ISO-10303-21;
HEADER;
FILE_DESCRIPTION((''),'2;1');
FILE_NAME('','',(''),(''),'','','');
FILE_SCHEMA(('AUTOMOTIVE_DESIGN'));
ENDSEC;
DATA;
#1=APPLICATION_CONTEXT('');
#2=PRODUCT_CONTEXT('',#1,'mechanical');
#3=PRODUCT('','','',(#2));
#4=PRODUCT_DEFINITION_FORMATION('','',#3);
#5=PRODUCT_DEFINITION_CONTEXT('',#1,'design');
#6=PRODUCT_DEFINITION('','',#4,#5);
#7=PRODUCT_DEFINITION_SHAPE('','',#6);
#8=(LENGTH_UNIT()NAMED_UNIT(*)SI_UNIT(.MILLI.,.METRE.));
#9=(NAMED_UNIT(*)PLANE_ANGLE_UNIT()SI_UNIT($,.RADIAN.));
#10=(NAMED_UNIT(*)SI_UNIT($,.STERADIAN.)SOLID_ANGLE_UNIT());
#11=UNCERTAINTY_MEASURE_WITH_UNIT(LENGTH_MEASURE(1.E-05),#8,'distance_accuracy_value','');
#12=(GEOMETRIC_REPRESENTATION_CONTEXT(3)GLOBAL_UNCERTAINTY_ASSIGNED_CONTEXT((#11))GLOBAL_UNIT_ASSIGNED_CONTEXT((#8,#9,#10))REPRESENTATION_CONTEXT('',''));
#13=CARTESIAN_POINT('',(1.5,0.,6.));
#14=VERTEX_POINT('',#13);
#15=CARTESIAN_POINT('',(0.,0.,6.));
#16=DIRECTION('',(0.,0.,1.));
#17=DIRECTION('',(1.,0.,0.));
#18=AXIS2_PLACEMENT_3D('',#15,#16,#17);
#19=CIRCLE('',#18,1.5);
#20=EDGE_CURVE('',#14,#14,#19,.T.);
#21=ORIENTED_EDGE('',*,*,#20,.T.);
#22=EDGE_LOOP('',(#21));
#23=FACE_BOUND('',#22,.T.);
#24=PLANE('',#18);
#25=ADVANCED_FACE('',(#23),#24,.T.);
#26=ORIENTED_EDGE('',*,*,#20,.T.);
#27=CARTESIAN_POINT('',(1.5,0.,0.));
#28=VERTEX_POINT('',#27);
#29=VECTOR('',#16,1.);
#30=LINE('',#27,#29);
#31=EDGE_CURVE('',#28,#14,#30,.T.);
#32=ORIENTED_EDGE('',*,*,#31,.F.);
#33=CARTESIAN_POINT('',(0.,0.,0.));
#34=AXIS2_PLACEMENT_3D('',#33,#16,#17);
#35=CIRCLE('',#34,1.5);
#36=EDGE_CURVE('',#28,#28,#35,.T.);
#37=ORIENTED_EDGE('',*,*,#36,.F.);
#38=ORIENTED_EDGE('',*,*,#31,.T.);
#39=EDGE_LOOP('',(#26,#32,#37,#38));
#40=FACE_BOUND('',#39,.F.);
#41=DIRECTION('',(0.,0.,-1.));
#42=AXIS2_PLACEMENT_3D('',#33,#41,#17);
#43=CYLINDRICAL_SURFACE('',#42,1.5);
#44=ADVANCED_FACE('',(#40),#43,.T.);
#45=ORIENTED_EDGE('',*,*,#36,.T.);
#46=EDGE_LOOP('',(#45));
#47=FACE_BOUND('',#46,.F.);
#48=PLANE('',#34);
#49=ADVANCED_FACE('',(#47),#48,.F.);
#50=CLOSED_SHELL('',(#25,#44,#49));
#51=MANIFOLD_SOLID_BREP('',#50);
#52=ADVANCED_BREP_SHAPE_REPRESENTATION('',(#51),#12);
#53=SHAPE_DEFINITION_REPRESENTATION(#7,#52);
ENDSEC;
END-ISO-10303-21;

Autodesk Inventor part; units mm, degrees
ref_plane "YZ Plane" through (0, 0, 0) normal (1, 0, 0) x (0, 1, 0)
ref_plane "XZ Plane" through (0, 0, 0) normal (0, 1, 0) x (-1, 0, 0)
ref_plane "XY Plane" through (0, 0, 0) normal (0, 0, 1) x (1, 0, 0)
sketch "Sketch1" plane through (0, 0, 0) normal (0, 0, 1) x (1, 0, 0)
  circle A0 centre (0, 0) radius 1.5
  dimension "d0" = 3
extrude "Extrusion1" add sketch "Sketch1" along normal blind 6
thread "Thread1" size "M3x0.5" class "6g" standard "ANSI Metric M Profile" full length
properties part number "threaded_rod_m3_x05_6mm_r01" material "Acetal Resin, White"
